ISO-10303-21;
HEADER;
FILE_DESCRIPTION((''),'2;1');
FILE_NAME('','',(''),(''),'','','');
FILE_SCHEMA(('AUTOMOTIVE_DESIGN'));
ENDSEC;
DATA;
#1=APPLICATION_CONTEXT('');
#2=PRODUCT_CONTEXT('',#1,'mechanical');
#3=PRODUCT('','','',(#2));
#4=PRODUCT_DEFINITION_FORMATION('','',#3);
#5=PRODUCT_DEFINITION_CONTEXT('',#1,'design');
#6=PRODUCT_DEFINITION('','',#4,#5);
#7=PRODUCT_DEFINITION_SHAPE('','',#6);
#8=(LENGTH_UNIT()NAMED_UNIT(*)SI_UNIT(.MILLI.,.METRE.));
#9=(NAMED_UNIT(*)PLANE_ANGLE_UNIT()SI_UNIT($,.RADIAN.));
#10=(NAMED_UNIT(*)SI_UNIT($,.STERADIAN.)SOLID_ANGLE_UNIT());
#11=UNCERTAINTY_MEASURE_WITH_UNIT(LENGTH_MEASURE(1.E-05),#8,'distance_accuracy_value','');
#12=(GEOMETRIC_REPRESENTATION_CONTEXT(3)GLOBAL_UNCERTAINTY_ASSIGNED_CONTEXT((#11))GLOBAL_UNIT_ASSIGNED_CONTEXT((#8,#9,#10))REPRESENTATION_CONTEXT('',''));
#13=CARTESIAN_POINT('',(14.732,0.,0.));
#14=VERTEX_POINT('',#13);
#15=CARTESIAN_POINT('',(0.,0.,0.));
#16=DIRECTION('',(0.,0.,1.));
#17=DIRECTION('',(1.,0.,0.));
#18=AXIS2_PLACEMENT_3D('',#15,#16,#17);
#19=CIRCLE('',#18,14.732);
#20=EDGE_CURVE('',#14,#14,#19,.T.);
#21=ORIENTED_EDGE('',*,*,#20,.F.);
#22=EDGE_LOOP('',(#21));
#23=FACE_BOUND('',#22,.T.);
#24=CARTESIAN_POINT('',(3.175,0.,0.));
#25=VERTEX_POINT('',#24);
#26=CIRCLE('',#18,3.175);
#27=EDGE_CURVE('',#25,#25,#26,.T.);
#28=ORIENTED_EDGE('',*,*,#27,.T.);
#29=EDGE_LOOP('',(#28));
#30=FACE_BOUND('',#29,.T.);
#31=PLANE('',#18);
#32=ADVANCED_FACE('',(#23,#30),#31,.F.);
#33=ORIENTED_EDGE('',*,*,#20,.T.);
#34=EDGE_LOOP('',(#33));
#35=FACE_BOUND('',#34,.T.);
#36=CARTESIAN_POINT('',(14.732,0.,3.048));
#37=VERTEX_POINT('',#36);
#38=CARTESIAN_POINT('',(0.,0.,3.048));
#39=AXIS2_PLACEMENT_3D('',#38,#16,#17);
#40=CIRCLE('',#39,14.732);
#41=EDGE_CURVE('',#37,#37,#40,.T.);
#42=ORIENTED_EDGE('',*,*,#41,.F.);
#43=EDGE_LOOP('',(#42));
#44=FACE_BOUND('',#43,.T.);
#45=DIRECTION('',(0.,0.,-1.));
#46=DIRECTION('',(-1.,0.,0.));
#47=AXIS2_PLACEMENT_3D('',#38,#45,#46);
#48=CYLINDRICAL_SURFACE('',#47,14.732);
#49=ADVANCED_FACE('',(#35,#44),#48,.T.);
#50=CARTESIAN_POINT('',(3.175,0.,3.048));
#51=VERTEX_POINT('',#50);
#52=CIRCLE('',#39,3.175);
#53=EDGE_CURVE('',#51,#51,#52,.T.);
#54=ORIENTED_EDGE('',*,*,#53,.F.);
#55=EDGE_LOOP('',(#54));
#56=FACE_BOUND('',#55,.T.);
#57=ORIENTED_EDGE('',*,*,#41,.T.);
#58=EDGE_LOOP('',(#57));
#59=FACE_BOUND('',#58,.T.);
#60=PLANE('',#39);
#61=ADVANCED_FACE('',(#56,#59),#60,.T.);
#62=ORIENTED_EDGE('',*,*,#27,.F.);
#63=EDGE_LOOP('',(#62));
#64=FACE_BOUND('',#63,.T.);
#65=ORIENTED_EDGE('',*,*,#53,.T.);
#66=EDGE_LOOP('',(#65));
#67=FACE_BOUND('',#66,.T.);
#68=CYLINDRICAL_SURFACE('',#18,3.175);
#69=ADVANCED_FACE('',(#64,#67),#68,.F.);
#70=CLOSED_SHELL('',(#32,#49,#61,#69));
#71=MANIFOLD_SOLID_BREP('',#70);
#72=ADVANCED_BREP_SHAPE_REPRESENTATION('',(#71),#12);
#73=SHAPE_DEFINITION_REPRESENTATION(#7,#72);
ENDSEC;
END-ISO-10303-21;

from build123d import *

# Parameters (mm, degrees)
SKETCH1_R           = 14.732
BOSS_EXTRUDE1_DEPTH = 3.048
SKETCH2_R           = 3.175
CUT_EXTRUDE1_DEPTH  = 3.048


with BuildPart() as part:
    # Sketch1 → Boss-Extrude1 (new body)
    with BuildSketch(Plane.XY):
        Circle(SKETCH1_R)
    extrude(amount=BOSS_EXTRUDE1_DEPTH)

    # Sketch2 → Cut-Extrude1 (cut)
    with BuildSketch(Plane.XY.offset(3.048)):
        Circle(SKETCH2_R)
    extrude(amount=-CUT_EXTRUDE1_DEPTH, mode=Mode.SUBTRACT)


solid = part.part
